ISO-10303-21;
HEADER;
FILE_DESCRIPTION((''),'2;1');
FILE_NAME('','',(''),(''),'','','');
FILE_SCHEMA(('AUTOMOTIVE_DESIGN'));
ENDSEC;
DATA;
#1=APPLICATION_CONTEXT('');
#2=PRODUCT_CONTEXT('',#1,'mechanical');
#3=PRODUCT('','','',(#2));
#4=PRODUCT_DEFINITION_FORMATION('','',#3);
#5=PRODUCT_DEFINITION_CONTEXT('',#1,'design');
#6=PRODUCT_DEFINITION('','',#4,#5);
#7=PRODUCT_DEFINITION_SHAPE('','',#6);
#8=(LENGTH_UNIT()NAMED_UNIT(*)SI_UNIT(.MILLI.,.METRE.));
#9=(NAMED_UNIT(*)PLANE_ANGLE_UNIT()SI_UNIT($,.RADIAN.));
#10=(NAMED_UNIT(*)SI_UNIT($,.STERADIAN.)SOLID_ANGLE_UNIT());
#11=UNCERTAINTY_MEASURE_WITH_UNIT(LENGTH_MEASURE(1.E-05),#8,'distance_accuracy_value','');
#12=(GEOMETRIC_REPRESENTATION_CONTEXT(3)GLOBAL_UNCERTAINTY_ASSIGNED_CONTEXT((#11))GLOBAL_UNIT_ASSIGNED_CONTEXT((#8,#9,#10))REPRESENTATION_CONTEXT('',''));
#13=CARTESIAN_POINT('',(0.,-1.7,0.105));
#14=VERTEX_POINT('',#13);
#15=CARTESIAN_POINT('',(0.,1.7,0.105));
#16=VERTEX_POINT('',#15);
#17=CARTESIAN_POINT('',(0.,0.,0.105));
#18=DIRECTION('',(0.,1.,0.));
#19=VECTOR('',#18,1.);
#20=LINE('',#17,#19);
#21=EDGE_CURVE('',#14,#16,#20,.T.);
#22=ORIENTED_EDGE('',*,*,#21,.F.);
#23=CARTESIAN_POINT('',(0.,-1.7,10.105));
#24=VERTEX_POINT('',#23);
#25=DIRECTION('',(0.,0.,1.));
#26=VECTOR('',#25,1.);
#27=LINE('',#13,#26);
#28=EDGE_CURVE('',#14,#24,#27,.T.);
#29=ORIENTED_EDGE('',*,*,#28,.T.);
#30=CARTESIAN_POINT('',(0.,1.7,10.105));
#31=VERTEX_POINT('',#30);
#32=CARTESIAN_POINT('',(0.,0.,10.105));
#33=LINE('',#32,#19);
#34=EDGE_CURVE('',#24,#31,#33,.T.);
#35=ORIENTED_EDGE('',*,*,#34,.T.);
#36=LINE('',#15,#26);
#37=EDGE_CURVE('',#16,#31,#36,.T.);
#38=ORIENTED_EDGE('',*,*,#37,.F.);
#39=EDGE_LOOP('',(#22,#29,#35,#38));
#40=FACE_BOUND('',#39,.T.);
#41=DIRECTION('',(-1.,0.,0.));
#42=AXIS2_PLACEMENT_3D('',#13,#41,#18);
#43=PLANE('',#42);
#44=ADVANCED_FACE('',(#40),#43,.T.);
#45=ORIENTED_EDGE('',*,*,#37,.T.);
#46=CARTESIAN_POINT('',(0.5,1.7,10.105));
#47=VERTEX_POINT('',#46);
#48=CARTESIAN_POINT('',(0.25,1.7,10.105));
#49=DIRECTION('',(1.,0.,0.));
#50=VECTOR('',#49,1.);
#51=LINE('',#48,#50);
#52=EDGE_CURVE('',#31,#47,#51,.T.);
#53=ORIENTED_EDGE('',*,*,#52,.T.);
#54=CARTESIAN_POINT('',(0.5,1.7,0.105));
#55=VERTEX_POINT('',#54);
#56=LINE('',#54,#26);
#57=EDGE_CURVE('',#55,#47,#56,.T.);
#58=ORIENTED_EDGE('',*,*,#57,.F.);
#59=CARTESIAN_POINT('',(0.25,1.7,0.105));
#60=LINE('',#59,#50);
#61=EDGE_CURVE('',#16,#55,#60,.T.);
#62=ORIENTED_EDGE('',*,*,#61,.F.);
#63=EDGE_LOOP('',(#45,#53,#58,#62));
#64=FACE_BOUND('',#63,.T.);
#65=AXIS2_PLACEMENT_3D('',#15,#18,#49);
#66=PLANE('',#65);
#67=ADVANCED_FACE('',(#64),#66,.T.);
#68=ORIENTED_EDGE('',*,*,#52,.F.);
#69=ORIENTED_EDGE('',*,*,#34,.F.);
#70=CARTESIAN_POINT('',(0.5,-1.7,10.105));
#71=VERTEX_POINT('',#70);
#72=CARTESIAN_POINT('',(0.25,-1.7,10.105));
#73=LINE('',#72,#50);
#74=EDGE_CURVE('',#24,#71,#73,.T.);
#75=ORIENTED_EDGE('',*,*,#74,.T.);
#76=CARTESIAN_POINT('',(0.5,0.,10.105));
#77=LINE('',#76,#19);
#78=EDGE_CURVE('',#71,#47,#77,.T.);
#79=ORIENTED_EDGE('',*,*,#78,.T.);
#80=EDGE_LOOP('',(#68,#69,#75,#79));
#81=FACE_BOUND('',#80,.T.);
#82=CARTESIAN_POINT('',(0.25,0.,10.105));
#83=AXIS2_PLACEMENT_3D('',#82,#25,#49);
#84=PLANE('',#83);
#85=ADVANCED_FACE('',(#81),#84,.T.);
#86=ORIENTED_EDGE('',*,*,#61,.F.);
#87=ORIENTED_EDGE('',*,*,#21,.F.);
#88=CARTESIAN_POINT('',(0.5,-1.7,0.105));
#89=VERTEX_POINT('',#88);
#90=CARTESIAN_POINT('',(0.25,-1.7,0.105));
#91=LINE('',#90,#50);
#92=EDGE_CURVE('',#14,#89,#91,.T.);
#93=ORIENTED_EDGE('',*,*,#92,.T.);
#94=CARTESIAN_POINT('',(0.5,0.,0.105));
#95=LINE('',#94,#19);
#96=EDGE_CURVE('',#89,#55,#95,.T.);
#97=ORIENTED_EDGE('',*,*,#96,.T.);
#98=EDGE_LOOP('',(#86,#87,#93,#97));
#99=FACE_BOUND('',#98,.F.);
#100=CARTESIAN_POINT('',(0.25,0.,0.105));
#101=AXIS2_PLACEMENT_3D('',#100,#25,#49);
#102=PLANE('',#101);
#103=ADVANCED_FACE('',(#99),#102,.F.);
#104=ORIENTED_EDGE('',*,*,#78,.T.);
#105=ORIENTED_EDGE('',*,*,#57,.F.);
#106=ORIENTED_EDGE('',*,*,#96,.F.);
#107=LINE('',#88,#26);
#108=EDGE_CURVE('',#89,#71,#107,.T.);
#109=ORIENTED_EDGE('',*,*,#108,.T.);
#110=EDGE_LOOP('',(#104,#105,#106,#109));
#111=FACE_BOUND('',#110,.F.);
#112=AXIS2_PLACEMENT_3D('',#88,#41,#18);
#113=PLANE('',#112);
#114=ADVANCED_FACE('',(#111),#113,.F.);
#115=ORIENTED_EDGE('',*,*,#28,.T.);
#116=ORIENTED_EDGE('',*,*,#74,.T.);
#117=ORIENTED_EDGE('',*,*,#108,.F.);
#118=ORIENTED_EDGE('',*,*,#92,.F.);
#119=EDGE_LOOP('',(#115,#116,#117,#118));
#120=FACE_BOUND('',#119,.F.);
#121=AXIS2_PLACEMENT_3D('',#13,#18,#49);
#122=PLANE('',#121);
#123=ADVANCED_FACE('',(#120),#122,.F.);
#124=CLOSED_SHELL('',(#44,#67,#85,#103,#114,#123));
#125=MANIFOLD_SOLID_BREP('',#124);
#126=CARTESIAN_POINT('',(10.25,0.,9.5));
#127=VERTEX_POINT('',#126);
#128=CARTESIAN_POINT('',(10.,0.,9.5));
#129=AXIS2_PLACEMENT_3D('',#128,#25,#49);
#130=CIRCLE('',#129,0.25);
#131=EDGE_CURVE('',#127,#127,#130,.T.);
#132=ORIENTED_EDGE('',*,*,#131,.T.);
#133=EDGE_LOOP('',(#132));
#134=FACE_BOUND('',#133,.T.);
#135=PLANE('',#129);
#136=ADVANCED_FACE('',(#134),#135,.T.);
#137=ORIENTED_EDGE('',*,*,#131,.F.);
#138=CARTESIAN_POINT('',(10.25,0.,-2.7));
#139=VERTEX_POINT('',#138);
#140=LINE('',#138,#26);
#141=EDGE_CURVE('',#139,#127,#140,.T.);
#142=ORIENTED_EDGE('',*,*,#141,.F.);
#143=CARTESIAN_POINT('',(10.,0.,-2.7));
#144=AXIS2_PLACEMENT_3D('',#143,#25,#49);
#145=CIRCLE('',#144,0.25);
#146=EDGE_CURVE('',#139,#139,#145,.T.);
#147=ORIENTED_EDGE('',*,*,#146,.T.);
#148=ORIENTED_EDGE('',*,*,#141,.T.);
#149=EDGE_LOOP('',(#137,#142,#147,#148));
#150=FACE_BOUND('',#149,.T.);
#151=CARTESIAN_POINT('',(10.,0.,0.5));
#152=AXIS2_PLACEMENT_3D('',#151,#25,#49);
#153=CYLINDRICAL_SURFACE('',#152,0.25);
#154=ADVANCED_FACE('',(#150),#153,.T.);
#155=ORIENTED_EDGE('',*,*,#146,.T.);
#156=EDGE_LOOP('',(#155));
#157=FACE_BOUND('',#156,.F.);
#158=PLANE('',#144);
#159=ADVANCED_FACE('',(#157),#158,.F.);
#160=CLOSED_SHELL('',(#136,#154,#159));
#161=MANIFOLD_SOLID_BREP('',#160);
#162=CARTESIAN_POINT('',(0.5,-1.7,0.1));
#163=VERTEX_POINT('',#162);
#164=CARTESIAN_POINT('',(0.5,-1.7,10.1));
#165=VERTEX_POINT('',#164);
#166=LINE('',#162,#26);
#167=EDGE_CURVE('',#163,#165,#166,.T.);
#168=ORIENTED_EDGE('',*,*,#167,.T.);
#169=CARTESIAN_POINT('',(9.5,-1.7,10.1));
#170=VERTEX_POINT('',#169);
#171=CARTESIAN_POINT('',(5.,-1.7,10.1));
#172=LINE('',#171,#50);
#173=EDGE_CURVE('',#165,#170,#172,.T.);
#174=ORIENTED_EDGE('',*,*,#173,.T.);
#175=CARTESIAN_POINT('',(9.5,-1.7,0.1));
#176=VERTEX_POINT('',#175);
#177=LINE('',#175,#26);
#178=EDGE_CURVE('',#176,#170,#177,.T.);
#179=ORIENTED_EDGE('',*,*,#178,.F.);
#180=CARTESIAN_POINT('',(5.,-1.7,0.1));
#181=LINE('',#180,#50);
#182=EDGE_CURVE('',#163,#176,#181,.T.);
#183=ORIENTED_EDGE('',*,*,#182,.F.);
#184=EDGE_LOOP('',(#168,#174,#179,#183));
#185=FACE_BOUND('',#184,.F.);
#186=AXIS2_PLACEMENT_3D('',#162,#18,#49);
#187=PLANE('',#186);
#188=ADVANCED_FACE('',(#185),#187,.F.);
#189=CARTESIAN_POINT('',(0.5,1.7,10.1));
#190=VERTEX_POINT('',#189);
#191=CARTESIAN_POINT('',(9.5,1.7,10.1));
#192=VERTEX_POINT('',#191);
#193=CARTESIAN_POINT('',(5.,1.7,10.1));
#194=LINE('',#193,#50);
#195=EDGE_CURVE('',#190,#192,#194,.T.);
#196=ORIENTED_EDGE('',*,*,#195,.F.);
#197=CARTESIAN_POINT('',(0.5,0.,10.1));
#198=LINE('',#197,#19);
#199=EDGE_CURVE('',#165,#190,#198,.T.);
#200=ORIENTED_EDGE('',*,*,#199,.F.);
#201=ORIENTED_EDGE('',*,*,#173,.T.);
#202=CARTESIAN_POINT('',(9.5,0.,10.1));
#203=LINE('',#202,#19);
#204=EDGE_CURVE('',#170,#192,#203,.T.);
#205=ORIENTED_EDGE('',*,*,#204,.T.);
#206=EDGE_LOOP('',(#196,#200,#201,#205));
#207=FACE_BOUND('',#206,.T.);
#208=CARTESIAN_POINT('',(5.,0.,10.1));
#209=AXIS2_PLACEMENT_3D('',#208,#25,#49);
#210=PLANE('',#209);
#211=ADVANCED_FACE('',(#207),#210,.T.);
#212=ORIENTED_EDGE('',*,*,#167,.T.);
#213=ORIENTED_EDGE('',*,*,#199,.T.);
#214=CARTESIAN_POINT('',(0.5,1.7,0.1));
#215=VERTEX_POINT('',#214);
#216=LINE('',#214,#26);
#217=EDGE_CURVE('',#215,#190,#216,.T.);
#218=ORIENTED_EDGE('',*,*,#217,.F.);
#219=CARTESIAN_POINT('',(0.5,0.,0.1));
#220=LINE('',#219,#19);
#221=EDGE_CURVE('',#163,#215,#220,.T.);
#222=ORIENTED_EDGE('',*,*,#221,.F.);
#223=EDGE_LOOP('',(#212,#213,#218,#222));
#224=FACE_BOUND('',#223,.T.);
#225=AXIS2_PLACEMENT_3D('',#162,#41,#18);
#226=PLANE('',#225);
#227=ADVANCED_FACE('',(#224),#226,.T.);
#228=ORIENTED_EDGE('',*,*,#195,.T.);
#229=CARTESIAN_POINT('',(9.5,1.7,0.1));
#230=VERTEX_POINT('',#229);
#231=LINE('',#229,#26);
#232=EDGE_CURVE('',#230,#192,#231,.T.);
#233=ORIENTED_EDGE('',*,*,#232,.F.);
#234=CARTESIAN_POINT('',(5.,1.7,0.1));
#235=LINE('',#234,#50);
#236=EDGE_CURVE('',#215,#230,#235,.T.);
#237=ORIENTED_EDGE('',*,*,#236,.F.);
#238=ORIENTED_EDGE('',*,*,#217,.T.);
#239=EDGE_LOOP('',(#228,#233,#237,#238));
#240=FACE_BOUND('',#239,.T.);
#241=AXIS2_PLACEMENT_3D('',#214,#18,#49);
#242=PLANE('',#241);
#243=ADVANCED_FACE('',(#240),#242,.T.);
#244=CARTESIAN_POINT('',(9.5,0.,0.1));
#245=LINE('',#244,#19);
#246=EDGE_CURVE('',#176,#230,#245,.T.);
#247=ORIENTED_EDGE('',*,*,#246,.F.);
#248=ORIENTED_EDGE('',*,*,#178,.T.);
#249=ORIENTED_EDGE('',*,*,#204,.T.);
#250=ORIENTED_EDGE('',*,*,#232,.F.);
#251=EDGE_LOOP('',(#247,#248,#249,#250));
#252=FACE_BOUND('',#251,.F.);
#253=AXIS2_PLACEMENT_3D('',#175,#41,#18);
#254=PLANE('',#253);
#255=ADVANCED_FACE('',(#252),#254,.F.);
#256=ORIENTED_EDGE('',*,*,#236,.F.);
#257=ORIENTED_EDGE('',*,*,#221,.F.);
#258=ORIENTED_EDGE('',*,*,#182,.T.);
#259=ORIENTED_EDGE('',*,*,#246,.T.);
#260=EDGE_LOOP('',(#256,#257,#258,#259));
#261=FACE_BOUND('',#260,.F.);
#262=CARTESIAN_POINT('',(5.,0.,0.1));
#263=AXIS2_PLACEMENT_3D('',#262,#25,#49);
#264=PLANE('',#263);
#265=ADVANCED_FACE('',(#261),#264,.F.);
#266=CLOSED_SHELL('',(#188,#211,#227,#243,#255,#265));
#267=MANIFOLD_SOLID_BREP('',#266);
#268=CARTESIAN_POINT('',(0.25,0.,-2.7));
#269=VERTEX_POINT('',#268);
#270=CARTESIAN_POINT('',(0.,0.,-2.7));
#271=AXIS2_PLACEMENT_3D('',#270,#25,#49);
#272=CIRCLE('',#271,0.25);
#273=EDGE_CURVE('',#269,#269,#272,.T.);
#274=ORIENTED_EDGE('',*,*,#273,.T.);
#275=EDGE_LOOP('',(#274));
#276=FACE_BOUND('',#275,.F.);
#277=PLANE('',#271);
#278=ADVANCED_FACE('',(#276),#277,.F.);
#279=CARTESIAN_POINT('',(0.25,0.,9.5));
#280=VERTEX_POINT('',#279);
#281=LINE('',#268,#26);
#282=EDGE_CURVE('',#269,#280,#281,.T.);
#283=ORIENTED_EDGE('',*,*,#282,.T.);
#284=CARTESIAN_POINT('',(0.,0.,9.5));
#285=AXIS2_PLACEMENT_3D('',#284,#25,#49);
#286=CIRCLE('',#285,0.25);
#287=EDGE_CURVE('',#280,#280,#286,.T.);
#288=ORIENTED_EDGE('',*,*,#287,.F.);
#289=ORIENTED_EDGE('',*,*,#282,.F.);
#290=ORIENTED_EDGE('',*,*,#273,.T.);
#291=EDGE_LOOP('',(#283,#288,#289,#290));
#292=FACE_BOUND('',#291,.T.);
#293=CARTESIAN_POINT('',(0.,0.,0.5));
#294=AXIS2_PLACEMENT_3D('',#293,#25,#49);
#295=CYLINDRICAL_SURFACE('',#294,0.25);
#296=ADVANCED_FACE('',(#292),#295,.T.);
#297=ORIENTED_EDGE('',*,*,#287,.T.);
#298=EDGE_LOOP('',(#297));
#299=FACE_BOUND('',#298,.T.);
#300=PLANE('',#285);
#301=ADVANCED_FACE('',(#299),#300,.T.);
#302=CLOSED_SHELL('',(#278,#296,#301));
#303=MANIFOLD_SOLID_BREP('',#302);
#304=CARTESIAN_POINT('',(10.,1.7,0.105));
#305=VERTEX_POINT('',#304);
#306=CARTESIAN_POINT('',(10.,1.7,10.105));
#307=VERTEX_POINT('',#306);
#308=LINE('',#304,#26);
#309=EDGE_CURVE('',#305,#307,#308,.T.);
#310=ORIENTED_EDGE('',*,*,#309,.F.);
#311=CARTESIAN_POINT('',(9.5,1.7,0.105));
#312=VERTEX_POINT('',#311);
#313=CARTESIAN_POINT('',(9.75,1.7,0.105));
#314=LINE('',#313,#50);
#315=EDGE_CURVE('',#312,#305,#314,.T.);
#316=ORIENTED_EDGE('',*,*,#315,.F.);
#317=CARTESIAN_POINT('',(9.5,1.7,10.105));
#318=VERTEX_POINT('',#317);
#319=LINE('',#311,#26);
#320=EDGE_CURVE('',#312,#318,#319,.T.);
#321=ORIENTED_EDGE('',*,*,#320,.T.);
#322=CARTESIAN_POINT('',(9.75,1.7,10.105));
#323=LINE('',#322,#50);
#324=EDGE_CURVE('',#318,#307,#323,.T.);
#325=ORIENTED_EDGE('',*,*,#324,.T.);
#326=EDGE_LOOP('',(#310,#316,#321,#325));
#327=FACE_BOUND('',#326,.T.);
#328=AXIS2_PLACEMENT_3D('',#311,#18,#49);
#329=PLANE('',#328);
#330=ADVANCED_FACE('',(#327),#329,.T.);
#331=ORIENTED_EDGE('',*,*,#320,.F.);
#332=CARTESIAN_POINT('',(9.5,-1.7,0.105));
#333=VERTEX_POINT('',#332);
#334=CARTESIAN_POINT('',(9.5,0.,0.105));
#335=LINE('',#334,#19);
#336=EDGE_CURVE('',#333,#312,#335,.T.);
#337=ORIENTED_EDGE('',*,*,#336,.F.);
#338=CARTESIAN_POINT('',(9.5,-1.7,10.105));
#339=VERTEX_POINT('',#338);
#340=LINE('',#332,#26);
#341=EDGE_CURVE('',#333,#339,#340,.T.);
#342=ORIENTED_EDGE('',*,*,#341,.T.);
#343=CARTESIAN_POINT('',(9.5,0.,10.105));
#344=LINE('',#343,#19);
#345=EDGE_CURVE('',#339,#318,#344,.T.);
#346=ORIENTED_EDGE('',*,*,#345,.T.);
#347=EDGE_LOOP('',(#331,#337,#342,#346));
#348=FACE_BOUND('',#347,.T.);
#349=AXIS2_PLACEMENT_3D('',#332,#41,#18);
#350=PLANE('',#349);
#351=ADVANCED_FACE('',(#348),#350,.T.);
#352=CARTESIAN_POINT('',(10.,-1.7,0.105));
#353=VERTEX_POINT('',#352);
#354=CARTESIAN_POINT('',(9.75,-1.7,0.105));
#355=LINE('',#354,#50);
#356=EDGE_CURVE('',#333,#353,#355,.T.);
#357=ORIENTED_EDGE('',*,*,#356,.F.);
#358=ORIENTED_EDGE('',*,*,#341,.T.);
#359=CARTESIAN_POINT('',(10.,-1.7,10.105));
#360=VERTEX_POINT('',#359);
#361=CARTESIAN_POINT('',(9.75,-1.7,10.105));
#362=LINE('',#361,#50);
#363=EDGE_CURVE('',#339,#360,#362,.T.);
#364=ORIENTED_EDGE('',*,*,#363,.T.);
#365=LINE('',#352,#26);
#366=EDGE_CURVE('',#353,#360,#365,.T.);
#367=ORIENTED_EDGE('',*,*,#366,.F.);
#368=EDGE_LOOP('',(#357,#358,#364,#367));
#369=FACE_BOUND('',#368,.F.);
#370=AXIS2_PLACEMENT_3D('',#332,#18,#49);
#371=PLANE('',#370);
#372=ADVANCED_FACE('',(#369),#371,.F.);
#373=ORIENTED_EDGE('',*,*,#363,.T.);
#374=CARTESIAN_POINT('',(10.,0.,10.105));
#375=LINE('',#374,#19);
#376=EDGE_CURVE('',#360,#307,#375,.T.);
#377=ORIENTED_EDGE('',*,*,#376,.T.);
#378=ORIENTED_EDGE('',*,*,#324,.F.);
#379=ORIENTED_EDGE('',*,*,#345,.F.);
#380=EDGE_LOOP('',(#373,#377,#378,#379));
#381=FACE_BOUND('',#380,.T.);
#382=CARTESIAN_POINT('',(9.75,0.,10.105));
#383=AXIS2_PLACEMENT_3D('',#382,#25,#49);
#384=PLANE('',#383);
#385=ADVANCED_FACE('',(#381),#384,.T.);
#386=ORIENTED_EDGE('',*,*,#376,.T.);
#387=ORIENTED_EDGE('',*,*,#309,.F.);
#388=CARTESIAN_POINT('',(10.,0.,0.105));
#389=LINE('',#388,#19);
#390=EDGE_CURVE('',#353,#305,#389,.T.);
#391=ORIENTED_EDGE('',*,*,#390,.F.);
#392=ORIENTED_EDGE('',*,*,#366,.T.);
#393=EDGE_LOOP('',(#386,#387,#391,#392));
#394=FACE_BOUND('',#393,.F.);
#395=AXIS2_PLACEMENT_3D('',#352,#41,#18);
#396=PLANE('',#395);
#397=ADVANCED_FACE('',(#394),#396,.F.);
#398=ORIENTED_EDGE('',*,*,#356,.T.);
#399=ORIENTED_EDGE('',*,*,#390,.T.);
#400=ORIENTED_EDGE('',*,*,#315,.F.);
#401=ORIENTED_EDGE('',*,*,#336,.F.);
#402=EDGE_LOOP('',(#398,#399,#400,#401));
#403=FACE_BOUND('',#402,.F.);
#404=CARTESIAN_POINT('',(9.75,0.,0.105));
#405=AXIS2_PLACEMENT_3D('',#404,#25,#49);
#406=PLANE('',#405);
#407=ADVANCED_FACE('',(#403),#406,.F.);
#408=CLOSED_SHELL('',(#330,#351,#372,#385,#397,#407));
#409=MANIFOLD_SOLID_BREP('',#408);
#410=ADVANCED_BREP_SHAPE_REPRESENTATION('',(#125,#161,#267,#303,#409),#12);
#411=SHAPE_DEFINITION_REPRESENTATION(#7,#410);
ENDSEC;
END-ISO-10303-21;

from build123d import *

# Parameters (mm, degrees)
SKETCH_W          = 9
SKETCH_H          = 3.4
PAD_DEPTH         = 10
SKETCH001_R       = 0.25
PAD001_DEPTH      = 9
PAD001_DEPTH_BACK = 3.2
SKETCH002_W       = 0.5
SKETCH002_H       = 3.4
PAD002_DEPTH      = 10


with BuildPart() as pad:
    # Sketch → Pad (new body)
    with BuildSketch(Plane.XY.offset(0.1)):
        with Locations((5, 0)):
            Rectangle(SKETCH_W, SKETCH_H)
    extrude(amount=PAD_DEPTH)


with BuildPart() as pad001:
    # Sketch001 → Pad001 (new body, two sides)
    with BuildSketch(Plane.XY.offset(0.5)) as pad001_sk:
        Circle(SKETCH001_R)
        with Locations((10, 0)):
            Circle(SKETCH001_R)
    extrude(amount=PAD001_DEPTH)
    extrude(pad001_sk.sketch, amount=-PAD001_DEPTH_BACK)


with BuildPart() as pad002:
    # Sketch002 → Pad002 (new body)
    with BuildSketch(Plane.XY.offset(0.105)):
        with Locations((0.25, 0)):
            Rectangle(SKETCH002_W, SKETCH002_H)
        with Locations((9.75, 0)):
            Rectangle(SKETCH002_W, SKETCH002_H)
    extrude(amount=PAD002_DEPTH)


solid = Compound([pad.part, pad001.part, pad002.part])
